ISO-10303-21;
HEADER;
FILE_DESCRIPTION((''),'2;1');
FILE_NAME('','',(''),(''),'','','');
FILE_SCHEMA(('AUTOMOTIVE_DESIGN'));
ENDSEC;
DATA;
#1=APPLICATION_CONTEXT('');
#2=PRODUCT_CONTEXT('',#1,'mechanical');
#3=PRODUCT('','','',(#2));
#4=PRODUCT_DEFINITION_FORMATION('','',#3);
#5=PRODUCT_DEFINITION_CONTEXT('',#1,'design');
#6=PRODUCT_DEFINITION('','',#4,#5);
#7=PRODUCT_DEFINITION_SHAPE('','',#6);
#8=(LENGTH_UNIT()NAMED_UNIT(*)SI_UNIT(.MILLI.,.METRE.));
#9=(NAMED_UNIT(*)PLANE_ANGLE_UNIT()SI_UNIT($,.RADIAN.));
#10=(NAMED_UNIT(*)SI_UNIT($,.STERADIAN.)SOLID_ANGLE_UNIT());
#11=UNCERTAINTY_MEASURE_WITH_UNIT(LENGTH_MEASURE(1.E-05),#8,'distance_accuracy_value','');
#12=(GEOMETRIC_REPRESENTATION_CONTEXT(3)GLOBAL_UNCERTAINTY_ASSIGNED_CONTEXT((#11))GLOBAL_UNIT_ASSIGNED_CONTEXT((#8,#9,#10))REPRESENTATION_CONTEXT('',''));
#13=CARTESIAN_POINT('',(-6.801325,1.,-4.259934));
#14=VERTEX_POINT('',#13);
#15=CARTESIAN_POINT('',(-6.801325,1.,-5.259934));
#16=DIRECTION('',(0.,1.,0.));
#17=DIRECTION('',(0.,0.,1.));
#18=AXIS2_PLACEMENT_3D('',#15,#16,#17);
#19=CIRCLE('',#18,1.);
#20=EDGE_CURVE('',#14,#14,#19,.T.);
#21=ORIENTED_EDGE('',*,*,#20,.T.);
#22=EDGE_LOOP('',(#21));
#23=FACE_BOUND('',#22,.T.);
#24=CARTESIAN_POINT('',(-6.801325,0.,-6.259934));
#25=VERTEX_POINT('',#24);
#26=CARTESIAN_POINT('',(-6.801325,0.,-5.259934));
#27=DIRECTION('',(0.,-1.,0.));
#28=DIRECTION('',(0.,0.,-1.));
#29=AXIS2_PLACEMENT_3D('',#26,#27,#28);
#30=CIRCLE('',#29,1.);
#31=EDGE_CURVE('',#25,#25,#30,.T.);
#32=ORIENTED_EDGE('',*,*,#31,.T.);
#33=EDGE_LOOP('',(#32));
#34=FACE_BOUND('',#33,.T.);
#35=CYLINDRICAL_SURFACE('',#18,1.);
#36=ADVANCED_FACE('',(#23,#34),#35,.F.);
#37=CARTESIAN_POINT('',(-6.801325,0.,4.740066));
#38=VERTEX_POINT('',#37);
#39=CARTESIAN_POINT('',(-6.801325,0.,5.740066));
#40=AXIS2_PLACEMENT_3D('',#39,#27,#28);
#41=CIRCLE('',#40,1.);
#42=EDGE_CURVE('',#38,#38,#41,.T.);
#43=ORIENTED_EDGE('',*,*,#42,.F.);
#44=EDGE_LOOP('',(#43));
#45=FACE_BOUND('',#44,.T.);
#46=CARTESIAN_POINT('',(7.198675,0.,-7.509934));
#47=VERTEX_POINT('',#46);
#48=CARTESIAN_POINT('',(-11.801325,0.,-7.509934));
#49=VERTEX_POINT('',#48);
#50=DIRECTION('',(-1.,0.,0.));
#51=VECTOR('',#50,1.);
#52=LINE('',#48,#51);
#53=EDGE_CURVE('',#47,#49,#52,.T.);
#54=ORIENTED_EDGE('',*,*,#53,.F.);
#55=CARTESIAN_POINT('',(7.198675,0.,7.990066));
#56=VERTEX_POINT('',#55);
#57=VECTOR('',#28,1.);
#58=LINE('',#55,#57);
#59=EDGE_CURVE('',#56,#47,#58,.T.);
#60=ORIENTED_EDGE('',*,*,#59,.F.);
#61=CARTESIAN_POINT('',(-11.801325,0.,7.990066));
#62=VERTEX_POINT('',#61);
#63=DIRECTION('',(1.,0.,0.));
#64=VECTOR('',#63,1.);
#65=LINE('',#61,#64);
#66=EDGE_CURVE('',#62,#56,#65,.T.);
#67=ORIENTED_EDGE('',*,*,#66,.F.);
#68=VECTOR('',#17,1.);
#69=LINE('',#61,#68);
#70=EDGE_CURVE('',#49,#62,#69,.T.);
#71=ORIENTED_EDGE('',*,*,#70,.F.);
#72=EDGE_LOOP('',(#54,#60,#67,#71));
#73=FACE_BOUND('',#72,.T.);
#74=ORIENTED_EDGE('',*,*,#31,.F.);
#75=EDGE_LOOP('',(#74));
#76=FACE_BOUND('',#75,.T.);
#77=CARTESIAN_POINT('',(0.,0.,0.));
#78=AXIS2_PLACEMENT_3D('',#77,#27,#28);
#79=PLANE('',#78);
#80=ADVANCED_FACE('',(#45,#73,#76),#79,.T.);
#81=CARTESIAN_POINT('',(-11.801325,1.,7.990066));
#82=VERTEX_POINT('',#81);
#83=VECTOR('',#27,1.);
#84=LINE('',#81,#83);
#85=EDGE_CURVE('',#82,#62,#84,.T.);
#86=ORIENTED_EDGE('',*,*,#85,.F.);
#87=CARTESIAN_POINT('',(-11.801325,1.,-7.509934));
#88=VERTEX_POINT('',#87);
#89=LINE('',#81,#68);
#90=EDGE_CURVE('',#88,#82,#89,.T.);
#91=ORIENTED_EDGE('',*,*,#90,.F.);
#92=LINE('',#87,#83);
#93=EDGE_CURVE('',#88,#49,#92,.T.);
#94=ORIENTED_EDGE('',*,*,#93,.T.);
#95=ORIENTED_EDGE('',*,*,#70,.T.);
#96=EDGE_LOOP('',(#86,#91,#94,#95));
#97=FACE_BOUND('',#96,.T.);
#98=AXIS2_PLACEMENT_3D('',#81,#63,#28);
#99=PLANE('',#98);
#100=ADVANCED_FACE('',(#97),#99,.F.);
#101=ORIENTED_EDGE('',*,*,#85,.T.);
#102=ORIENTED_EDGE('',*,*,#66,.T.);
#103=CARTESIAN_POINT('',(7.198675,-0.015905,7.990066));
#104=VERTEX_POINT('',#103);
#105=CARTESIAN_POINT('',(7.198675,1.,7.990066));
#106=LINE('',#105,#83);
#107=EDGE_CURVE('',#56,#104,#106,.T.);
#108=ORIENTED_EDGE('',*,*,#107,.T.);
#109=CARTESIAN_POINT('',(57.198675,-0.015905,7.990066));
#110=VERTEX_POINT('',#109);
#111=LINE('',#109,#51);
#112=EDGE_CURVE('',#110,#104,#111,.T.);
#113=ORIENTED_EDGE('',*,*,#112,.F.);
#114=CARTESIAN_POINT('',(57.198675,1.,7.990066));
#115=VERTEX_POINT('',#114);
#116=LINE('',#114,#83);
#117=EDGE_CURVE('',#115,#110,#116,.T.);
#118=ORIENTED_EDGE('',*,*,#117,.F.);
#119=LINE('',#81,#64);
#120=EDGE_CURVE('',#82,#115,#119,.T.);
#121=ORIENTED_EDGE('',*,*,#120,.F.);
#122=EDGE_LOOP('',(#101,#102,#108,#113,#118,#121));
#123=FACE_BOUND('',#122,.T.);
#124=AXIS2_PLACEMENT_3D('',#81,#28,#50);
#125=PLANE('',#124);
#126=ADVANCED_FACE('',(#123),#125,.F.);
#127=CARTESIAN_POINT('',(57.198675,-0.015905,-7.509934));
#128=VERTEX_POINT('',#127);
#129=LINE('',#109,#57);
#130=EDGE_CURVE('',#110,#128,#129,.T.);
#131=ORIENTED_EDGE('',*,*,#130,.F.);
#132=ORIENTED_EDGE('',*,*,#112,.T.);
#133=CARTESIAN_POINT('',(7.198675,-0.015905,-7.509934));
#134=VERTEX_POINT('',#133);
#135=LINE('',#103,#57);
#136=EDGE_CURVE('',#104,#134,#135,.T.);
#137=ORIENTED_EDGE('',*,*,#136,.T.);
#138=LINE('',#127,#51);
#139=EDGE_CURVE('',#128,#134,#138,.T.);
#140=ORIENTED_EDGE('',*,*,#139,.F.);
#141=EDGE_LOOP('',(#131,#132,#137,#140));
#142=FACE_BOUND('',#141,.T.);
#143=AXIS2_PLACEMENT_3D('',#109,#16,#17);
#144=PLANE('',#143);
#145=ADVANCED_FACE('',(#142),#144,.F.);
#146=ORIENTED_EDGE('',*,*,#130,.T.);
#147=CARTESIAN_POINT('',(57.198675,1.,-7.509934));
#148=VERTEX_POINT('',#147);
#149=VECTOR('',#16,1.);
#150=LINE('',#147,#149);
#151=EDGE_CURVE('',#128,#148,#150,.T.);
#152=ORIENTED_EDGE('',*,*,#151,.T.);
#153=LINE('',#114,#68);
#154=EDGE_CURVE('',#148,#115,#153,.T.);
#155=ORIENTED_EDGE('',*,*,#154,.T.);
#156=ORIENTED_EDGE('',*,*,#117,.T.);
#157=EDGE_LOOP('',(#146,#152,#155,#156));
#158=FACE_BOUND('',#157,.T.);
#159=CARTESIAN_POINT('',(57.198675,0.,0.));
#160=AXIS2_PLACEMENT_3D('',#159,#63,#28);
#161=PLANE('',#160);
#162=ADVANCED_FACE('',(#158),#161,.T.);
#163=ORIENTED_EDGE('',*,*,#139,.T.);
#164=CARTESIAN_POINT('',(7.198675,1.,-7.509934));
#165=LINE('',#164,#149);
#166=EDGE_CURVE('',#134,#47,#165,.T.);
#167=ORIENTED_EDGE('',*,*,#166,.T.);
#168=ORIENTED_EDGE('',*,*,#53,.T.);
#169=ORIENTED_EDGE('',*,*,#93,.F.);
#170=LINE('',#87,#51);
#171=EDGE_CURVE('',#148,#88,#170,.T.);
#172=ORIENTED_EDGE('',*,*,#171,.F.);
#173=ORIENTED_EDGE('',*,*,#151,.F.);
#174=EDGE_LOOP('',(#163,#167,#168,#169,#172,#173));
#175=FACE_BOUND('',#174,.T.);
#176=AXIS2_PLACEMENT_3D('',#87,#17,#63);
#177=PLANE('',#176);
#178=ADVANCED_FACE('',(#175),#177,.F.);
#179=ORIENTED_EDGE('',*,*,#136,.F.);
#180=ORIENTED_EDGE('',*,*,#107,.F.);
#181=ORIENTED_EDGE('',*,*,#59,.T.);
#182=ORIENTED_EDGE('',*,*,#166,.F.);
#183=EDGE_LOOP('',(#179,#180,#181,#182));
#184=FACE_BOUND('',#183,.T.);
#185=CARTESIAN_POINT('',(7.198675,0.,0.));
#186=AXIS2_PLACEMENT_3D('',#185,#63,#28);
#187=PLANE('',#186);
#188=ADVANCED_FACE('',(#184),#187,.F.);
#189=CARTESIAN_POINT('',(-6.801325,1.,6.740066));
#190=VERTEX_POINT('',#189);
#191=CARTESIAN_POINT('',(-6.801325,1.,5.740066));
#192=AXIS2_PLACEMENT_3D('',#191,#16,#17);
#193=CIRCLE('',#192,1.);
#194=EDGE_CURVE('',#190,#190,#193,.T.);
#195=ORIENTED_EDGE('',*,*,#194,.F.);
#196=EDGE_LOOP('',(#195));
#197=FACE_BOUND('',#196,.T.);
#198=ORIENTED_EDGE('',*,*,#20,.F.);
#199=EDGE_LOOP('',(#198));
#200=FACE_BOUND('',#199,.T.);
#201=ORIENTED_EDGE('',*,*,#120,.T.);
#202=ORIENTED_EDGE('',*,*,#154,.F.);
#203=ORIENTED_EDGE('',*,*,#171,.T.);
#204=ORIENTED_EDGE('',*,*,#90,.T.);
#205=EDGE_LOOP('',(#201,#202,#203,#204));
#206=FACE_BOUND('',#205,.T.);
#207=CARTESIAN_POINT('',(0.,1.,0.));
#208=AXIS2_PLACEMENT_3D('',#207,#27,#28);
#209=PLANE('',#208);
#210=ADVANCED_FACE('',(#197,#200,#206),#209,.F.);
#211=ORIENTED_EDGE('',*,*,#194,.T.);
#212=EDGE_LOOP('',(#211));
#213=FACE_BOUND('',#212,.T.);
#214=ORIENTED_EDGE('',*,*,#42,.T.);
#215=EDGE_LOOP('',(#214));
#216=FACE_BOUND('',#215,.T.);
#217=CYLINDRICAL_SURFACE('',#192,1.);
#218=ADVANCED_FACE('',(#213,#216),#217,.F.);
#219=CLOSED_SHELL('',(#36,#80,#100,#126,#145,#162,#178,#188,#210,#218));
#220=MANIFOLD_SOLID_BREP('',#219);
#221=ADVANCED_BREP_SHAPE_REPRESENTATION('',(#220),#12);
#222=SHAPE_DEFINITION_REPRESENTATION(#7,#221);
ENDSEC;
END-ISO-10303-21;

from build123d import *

# Parameters (mm, degrees)
SKETCH1_W                 = 19
SKETCH1_H                 = 15.5
BOSS_EXTRUDE1_DEPTH       = 1
F_1_0MM_DOWEL_HOLE1_D     = 2
F_1_0MM_DOWEL_HOLE1_DEPTH = 25
F_1_0MM_DOWEL_HOLE1_TIP   = 0.600860619
SKETCH4_W                 = 15.5
SKETCH4_H                 = 1.015904831
BOSS_EXTRUDE2_DEPTH       = 50


with BuildPart() as part:
    # Sketch1 → Boss-Extrude1 (new body)
    with BuildSketch(Plane(origin=(0, 0, 0), x_dir=(1, 0, 0), z_dir=(0, 1, 0))):
        with Locations((-2.301324503, -0.240066225)):
            Rectangle(SKETCH1_W, SKETCH1_H)
    extrude(amount=BOSS_EXTRUDE1_DEPTH)

    # Ø1.0mm Dowel Hole1
    with Locations(Plane(origin=(0, 1, 0), x_dir=(1, 0, 0), z_dir=(0, 1, 0))):
        with Locations((-6.801324503, 5.259933775), (-6.801324503, -5.740066225)):
            Hole(F_1_0MM_DOWEL_HOLE1_D / 2, depth=F_1_0MM_DOWEL_HOLE1_DEPTH)
            with Locations((0, 0, -(F_1_0MM_DOWEL_HOLE1_DEPTH + F_1_0MM_DOWEL_HOLE1_TIP / 2))):  # 118° drill point
                Cone(0, F_1_0MM_DOWEL_HOLE1_D / 2, F_1_0MM_DOWEL_HOLE1_TIP, mode=Mode.SUBTRACT)

    # Sketch4 → Boss-Extrude2 (add)
    with BuildSketch(Plane(origin=(7.198675497, 0, 0), x_dir=(0, 0, -1), z_dir=(1, 0, 0))):
        with Locations((-0.240066225, 0.492047585)):
            Rectangle(SKETCH4_W, SKETCH4_H)
    extrude(amount=BOSS_EXTRUDE2_DEPTH)


solid = part.part
